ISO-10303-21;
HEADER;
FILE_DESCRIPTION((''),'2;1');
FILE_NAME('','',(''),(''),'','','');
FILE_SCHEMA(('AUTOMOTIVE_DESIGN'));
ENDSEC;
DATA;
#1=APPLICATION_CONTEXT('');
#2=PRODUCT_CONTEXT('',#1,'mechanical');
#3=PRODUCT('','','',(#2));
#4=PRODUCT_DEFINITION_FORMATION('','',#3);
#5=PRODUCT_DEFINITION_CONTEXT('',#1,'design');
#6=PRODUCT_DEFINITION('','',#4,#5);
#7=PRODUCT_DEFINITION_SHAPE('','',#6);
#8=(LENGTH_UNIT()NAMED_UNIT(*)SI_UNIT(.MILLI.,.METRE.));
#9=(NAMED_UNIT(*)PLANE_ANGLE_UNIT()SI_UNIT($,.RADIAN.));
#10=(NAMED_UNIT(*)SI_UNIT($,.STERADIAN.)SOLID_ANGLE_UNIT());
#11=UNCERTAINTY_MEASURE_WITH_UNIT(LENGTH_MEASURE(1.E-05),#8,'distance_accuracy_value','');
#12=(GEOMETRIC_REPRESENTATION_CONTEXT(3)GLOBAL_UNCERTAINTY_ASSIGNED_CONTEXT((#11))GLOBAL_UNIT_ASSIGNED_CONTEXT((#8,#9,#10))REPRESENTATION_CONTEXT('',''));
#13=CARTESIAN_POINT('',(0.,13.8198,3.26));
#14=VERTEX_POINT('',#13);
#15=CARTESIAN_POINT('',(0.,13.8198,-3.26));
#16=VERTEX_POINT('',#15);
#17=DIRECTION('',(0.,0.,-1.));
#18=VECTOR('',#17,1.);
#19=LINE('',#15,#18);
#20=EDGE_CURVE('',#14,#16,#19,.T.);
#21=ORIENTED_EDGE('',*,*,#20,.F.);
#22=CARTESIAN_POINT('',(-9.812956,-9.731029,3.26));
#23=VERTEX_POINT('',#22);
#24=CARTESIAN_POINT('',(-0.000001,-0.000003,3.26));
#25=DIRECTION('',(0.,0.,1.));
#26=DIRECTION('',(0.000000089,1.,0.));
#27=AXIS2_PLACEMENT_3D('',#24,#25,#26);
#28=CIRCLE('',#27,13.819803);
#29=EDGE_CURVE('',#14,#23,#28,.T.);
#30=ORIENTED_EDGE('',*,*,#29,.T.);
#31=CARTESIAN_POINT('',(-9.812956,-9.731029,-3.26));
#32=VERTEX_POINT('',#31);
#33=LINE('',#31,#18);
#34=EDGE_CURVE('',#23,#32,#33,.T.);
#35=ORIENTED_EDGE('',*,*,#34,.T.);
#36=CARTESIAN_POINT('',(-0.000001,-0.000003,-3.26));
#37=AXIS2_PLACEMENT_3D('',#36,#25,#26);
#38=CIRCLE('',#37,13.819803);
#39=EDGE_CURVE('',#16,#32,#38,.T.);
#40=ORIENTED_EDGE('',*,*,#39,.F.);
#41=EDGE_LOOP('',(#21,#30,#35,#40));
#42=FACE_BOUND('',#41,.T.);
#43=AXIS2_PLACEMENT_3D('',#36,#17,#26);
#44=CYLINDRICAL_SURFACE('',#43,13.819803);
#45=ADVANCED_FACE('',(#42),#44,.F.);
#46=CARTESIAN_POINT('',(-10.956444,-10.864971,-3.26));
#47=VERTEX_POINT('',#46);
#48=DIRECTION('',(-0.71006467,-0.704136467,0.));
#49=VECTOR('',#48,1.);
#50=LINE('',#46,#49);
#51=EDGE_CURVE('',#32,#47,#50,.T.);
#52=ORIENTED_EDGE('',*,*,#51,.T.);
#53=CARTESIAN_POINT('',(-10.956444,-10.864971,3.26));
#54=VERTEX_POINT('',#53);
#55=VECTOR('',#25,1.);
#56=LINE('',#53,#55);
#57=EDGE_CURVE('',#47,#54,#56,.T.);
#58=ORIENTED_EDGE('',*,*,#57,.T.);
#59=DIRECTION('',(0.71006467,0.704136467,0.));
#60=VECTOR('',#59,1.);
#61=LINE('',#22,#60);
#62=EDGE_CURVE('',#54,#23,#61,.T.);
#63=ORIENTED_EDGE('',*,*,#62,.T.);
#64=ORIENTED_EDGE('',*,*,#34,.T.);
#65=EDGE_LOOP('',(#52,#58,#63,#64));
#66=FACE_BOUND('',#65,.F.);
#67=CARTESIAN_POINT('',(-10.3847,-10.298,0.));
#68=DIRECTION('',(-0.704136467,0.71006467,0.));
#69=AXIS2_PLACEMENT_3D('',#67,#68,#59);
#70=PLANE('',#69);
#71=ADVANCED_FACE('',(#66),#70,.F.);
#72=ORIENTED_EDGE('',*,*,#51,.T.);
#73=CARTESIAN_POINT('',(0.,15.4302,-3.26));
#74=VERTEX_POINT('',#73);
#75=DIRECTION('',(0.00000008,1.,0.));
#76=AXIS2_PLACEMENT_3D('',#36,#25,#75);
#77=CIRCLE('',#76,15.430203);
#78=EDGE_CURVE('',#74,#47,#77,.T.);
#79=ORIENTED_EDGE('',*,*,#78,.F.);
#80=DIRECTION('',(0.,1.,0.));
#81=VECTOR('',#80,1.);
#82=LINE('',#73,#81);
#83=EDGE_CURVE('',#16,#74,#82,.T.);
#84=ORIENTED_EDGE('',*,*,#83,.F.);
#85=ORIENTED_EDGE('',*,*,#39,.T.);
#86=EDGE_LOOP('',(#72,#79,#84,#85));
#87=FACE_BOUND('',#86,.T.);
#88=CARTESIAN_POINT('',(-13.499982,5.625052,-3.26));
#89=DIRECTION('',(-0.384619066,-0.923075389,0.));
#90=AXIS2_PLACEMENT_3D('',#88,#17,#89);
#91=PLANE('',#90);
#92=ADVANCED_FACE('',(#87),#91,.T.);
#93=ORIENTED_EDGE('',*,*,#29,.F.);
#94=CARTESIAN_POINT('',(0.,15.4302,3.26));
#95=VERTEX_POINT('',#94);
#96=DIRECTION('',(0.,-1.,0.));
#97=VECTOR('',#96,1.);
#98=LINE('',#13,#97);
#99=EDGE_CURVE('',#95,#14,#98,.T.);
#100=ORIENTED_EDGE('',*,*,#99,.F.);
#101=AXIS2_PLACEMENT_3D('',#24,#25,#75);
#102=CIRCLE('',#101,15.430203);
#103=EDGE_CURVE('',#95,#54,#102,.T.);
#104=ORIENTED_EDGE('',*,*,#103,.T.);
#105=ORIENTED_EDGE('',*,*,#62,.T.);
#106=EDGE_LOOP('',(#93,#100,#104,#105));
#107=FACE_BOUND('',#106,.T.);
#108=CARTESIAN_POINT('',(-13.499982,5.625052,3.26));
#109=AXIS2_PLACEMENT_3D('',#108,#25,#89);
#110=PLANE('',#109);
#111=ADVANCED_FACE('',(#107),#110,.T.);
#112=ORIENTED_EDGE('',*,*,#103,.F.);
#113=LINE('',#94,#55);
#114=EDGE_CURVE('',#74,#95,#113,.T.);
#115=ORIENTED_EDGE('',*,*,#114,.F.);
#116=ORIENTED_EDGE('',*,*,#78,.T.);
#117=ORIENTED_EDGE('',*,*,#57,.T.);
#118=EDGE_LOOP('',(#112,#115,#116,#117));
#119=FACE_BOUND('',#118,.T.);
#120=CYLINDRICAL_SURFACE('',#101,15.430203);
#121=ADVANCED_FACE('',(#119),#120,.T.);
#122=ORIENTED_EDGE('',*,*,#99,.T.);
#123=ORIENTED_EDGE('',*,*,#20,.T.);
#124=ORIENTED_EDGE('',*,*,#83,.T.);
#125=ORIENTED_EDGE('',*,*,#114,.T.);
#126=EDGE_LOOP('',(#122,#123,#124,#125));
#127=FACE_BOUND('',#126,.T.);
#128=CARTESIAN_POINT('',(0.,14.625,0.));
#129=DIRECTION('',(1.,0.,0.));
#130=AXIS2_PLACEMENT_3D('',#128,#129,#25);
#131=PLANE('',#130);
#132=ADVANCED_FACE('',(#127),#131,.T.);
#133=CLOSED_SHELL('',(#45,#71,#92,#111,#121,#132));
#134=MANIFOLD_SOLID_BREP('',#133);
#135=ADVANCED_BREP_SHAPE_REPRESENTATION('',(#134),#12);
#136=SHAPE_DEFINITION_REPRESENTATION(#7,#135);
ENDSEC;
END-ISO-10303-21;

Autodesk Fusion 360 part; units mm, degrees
sketch "Sketch1" plane through (0, 0, 0) normal (0, 0, 1) x (1, 0, 0)
  arc A0 (0, 14.1125) -> (-7.868, -11.7157) centre (0, 0) ccw
  line L0 (0, 0) -> (0, 14.1125) construction
  line L1 (0, 0) -> (-7.868, -11.7157) construction
  dimension "d1" = 14.1125
  dimension "d2" = 146.115
sketch "Sketch2" plane through (0, 0, 0) normal (1, 0, 0) x (0, 1, 0)
sketch "Sketch3" plane through (0, 0, 0) normal (1, 0, 0) x (0, 1, 0)
  line L0 (13.3068, 3.26) -> (14.9182, 3.26)
  line L1 (14.9182, 3.26) -> (14.9182, -3.26)
  line L2 (14.9182, -3.26) -> (13.3068, -3.26)
  line L3 (13.3068, -3.26) -> (13.3068, 3.26)
  line L4 (13.3068, 3.26) -> (14.9182, -3.26) construction
  line L5 (14.9182, 3.26) -> (13.3068, -3.26) construction
  point P0 (14.1125, 0)
  dimension "d3" = 6.52
sketch "Sketch4" plane through (0, 0, 0) normal (0, 0, 1) x (1, 0, 0)
  arc A0 (0, 14.625) -> (-10.3847, -10.298) centre (0, 0) ccw
  line L0 (0, 0) -> (0, 14.625) construction
  line L1 (0, 0) -> (-10.3847, -10.298) construction
  dimension "d10" = 14.625
  dimension "d11" = 134.76
sketch "Sketch5" plane through (0, 0, 0) normal (1, 0, 0) x (0, 1, 0)
  line L0 (13.8198, 3.26) -> (15.4302, 3.26)
  line L1 (15.4302, 3.26) -> (15.4302, -3.26)
  line L2 (15.4302, -3.26) -> (13.8198, -3.26)
  line L3 (13.8198, -3.26) -> (13.8198, 3.26)
  line L4 (13.8198, 3.26) -> (15.4302, -3.26) construction
  line L5 (15.4302, 3.26) -> (13.8198, -3.26) construction
  point P0 (14.625, 0)
  dimension "d12" = 6.52
sweep "Sweep2" add profiles "Sketch5" path "Sketch4" along A0 section 1
